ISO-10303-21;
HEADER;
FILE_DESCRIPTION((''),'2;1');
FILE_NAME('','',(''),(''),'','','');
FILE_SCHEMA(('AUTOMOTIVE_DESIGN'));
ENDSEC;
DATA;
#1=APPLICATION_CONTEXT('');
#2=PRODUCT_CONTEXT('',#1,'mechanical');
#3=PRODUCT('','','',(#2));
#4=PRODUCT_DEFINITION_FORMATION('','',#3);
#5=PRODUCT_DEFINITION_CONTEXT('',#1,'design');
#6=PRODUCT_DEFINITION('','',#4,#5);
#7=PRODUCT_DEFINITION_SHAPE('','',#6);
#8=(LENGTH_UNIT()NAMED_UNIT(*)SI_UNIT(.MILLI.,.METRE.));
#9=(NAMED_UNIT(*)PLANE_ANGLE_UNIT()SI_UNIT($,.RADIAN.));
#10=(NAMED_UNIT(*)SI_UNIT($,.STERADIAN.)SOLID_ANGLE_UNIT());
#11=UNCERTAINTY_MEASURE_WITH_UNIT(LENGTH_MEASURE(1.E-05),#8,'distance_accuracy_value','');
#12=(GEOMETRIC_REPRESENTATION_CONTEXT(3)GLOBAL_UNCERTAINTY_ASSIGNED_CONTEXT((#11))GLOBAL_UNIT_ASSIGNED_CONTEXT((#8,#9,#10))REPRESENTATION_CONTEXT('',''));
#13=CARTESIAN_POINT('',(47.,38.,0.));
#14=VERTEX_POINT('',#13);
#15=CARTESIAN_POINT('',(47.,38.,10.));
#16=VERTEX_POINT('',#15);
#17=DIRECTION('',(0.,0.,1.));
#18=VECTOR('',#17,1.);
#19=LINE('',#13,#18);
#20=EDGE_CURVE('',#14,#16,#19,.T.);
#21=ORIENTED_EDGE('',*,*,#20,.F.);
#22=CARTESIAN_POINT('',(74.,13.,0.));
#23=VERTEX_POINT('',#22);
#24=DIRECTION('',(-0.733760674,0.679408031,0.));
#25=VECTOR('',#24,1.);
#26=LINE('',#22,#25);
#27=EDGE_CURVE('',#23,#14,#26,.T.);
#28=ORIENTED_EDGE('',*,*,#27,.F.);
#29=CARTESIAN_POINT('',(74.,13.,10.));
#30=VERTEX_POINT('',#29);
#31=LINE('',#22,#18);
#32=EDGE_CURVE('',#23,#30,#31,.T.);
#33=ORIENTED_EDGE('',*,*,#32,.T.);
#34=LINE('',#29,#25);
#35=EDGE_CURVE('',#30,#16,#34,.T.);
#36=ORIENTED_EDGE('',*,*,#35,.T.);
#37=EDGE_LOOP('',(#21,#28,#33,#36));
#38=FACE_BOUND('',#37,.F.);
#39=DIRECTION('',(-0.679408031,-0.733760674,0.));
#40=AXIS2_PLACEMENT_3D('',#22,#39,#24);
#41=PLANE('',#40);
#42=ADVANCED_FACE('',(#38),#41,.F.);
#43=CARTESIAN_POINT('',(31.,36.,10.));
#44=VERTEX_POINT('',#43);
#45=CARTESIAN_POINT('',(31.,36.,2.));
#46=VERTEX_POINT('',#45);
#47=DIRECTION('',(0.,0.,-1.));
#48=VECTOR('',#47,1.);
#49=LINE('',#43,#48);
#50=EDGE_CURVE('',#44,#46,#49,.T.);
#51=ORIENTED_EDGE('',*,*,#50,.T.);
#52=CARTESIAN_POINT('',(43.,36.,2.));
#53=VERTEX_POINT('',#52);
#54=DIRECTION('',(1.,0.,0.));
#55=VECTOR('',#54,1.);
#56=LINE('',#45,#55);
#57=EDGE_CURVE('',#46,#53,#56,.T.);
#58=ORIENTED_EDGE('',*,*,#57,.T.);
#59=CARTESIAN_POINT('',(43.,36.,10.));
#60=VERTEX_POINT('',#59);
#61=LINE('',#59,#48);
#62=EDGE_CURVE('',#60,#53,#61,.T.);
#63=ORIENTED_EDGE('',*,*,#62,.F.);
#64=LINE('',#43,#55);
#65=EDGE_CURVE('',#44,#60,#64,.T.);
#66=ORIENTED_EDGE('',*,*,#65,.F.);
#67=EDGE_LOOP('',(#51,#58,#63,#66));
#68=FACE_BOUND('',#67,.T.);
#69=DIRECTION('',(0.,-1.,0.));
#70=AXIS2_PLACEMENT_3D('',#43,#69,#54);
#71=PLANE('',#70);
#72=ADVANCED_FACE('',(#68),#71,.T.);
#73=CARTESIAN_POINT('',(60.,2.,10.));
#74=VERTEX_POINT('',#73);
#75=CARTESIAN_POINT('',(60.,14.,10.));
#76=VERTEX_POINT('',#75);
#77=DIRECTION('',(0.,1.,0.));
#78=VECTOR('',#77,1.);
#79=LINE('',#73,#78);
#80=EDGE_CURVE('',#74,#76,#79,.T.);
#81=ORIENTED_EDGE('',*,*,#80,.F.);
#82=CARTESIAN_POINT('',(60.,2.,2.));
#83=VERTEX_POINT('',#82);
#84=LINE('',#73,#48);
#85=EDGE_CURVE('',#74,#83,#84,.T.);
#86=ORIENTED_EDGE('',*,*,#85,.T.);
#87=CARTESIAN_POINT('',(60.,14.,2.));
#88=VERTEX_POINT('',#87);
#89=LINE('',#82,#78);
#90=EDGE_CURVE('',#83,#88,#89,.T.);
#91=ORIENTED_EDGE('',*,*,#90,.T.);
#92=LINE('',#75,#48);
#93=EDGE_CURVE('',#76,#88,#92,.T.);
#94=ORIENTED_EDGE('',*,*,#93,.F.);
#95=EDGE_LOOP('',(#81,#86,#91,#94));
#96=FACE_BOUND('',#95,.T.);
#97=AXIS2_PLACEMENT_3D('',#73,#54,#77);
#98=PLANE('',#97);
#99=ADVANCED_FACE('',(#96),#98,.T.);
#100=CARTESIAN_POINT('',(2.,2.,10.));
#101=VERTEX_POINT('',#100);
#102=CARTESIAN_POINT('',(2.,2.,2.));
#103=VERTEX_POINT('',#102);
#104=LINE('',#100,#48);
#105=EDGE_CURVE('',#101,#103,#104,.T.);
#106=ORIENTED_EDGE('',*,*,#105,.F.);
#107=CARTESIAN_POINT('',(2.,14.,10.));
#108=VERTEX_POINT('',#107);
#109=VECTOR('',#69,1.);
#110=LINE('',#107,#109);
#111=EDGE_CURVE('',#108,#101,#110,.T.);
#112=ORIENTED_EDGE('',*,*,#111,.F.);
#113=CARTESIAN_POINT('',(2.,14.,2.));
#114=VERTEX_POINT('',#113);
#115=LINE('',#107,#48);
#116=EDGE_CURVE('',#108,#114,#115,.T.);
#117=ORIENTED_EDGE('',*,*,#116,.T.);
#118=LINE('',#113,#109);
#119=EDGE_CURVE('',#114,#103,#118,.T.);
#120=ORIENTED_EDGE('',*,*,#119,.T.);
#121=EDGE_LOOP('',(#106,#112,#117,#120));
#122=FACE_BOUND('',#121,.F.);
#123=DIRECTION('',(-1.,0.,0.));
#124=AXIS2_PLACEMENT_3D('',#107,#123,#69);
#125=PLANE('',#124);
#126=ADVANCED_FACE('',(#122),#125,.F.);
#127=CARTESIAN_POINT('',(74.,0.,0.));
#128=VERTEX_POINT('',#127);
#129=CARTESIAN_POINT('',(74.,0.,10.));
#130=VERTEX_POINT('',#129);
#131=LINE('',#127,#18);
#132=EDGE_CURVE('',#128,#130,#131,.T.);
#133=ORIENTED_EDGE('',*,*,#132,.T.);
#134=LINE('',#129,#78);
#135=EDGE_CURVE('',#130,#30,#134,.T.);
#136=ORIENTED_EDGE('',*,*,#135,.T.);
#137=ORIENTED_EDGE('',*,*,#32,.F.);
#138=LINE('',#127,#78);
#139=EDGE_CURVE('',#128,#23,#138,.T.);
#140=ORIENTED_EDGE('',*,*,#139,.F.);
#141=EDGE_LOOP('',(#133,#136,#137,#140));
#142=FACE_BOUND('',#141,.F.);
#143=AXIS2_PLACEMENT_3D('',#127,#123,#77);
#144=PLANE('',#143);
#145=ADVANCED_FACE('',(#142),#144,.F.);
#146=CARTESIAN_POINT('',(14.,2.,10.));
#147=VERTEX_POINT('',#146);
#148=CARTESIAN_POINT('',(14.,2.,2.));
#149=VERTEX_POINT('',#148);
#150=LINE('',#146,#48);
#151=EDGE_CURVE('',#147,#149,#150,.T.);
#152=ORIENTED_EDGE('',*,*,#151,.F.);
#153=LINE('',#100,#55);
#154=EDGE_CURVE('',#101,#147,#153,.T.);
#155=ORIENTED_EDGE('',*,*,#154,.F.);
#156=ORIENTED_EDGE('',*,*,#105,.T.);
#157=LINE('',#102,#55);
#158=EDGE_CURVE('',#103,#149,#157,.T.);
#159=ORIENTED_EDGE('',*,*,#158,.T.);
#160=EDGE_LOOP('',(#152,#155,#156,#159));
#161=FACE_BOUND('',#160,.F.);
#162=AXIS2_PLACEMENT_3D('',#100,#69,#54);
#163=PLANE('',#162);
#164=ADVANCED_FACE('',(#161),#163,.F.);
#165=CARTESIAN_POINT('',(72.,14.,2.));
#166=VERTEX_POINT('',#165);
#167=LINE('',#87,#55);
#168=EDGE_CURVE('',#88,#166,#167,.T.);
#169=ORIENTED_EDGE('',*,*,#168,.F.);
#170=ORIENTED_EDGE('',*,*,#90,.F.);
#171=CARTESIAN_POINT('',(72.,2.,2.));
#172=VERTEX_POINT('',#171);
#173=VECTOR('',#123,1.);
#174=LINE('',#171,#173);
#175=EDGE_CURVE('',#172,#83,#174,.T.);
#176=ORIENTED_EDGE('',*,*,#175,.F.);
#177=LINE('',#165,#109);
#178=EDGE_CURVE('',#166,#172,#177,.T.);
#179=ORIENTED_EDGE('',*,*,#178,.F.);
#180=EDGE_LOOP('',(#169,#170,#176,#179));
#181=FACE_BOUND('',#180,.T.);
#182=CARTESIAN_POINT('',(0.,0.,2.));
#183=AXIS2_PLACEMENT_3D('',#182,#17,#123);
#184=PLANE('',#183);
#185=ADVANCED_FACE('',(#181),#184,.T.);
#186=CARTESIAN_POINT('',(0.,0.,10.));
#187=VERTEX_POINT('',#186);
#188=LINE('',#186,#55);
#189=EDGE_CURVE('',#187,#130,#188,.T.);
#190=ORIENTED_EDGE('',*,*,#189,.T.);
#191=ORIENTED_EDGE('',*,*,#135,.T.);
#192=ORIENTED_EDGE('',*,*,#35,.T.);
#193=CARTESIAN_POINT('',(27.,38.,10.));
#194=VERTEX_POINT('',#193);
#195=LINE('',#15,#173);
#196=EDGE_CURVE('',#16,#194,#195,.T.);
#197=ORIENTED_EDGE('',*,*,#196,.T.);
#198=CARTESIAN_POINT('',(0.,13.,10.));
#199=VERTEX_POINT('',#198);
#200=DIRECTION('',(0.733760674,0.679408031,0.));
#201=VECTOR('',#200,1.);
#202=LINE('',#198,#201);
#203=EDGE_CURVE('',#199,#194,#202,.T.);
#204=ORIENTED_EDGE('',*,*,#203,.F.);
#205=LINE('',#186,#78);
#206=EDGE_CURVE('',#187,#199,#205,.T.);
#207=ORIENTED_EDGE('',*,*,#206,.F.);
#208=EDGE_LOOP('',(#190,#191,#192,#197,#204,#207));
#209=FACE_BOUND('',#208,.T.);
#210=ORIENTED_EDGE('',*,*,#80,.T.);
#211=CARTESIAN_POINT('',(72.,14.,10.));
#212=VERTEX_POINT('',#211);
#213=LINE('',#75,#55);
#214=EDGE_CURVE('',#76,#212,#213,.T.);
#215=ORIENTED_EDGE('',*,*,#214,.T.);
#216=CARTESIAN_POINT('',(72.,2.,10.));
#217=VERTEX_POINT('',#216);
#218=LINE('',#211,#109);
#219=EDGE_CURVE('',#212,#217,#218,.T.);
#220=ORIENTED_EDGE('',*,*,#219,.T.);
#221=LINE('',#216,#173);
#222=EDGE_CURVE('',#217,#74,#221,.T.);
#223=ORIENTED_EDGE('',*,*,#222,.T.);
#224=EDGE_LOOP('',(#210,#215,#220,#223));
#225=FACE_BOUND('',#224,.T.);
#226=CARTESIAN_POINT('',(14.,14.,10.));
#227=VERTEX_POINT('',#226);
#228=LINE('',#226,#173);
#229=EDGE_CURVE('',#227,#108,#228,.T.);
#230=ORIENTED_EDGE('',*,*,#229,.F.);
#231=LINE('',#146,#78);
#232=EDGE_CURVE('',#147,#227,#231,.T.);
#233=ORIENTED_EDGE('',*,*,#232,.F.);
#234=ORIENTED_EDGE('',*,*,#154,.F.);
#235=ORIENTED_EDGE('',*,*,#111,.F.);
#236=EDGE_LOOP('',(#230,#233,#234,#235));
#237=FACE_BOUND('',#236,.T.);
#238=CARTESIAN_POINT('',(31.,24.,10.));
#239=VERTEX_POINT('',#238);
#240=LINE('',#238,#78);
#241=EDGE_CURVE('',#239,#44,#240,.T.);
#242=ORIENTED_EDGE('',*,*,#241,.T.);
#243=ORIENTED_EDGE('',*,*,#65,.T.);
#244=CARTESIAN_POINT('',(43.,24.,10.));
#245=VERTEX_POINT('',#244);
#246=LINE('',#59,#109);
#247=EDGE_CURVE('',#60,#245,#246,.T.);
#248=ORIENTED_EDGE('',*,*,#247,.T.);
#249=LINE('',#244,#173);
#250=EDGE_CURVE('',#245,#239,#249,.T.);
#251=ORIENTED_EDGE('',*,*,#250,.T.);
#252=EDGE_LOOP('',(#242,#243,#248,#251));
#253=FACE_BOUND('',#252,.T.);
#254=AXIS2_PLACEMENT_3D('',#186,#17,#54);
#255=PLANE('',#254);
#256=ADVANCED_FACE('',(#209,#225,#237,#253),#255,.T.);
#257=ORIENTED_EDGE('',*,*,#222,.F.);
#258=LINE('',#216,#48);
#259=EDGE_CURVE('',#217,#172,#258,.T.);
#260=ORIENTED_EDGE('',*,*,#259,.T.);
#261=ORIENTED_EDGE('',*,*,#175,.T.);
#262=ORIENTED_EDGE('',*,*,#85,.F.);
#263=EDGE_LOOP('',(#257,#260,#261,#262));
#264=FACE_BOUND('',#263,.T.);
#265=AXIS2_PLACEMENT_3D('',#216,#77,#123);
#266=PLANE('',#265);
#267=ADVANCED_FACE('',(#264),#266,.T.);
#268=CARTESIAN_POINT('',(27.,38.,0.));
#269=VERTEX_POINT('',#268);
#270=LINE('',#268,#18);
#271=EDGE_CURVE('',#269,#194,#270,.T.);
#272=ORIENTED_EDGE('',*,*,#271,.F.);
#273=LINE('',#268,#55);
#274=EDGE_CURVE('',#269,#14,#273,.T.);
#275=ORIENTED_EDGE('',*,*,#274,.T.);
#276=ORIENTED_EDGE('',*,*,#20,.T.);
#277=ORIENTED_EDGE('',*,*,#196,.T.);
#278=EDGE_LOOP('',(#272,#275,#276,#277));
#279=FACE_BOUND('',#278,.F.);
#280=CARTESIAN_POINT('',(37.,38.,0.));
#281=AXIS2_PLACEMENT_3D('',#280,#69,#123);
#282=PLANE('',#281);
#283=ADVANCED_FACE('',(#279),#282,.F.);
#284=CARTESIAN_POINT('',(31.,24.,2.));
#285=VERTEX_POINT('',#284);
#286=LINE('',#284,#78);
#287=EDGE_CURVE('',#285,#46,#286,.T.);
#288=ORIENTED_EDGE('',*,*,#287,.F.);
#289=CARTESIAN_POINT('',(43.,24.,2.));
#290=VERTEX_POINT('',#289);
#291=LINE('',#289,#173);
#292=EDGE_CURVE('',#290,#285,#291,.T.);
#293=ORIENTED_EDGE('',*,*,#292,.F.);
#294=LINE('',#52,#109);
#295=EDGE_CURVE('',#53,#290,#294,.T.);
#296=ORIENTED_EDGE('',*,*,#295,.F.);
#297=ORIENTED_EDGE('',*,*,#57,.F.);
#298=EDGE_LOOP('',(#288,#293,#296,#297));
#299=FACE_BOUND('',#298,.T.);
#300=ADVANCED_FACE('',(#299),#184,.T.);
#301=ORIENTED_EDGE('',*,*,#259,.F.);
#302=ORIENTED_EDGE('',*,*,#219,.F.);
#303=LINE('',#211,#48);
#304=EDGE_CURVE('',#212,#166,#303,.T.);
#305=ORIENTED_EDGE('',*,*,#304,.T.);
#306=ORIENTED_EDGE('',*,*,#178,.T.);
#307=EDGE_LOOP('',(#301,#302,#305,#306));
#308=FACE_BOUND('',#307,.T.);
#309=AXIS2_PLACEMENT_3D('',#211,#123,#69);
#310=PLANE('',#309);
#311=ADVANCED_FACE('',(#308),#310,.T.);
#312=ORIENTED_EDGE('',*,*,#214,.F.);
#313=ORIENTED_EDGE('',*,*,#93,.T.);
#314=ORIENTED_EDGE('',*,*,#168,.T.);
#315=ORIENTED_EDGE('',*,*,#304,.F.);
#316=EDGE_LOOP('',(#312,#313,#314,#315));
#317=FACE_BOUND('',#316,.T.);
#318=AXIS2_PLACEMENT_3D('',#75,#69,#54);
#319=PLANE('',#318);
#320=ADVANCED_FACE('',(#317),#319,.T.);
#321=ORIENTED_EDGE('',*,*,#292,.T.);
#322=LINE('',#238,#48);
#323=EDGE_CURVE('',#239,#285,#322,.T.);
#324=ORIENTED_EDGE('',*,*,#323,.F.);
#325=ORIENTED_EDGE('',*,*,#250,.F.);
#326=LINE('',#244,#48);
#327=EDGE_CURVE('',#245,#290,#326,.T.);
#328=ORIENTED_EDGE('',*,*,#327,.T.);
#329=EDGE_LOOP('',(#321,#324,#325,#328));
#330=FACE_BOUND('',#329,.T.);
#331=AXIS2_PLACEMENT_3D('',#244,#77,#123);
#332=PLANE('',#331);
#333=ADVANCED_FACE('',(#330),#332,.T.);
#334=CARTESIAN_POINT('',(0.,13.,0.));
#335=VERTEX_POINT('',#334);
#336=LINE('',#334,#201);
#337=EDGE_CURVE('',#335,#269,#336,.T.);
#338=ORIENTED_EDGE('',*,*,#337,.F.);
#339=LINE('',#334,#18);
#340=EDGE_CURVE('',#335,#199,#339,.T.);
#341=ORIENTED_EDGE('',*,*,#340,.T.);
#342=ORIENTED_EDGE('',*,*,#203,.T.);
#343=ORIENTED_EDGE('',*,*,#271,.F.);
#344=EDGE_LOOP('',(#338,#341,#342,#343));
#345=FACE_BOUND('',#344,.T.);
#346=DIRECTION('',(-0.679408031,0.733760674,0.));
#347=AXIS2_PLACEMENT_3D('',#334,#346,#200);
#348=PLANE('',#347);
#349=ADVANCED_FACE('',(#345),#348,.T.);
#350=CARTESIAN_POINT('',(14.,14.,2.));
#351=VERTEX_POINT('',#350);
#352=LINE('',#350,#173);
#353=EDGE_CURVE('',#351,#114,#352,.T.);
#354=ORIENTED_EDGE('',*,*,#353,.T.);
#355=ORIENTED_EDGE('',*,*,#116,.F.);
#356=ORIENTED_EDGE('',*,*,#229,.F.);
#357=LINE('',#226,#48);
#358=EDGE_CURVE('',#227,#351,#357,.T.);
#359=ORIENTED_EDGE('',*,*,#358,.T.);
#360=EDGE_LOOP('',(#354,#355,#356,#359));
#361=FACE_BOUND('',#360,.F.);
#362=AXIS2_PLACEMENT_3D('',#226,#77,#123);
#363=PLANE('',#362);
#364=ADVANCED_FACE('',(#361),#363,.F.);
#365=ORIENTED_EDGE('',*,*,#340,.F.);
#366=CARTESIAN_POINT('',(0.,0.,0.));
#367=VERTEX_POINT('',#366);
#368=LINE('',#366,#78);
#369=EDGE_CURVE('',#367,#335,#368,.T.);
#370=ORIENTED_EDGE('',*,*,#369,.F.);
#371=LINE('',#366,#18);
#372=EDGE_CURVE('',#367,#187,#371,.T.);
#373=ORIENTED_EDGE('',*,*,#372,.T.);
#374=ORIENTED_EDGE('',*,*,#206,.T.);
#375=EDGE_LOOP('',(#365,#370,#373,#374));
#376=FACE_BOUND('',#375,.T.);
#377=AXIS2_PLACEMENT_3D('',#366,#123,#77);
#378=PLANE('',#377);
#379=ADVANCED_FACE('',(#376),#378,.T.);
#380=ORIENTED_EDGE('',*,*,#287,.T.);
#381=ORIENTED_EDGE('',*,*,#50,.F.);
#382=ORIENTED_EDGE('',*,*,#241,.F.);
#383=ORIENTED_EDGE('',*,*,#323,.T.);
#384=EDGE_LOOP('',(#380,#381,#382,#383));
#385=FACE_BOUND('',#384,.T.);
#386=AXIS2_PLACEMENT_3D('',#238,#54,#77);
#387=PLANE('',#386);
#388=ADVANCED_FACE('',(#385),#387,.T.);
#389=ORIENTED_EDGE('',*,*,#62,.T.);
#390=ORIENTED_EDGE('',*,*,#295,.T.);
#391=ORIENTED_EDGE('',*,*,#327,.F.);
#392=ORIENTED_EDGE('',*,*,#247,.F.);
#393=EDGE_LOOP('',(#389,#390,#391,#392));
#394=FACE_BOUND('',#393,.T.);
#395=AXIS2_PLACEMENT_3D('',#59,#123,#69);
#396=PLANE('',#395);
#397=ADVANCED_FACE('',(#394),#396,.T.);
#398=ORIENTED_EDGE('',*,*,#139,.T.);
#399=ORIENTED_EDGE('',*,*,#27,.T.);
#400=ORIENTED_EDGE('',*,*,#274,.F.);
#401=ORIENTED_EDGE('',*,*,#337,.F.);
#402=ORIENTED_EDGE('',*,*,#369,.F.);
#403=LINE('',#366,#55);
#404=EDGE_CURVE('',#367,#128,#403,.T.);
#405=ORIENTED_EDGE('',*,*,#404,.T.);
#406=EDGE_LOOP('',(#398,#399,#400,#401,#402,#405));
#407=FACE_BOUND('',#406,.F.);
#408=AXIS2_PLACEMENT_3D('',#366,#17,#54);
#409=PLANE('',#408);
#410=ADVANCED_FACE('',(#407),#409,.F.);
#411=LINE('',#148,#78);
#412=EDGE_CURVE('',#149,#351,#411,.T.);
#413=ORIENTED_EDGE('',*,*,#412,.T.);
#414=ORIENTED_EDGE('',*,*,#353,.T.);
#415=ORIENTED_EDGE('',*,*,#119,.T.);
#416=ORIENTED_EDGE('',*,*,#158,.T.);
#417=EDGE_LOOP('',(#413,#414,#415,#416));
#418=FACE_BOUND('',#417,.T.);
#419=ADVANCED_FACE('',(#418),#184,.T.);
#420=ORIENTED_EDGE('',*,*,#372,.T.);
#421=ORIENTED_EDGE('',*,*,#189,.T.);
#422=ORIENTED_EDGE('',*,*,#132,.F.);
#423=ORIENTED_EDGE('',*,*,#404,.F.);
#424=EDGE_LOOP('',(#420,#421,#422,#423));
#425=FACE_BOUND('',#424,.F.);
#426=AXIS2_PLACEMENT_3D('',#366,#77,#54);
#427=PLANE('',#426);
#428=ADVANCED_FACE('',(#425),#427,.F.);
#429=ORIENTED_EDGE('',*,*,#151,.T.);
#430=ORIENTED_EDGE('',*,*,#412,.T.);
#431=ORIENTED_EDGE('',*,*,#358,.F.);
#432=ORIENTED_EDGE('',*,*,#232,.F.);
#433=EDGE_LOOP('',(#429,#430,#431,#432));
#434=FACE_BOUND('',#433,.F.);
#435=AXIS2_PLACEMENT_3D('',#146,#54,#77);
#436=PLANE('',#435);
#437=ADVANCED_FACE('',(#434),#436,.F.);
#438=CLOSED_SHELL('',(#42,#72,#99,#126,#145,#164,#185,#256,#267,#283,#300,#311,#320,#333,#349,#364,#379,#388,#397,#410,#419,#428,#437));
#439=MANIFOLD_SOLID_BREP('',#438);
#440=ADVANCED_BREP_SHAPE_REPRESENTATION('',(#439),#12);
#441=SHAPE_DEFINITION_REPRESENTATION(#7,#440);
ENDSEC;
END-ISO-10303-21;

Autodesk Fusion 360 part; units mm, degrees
sketch "Sketch1" plane through (0, 0, 0) normal (0, 0, 1) x (1, 0, 0)
  line L0 (0, 0) -> (74, 0)
  line L1 (0, 0) -> (0, 13)
  line L2 (37, 0) -> (37, 38) construction
  line L3 (37, 38) -> (27, 38)
  line L4 (0, 13) -> (27, 38)
  line L5 (37, 38) -> (47, 38)
  line L6 (74, 0) -> (74, 13)
  line L7 (74, 13) -> (47, 38)
  dimension "d1" = 74
  dimension "d2" = 13
  dimension "d3" = 38
  dimension "d4" = 10
  dimension "d5" = 10
  dimension "d6" = 13
extrude "Extrude1" add sketch "Sketch1" along normal blind 10
sketch "Sketch2" plane through (0, 0, 10) normal (0, 0, 1) x (-1, 0, 0)
  line L0 (0, 0) -> (-74, 0)
  line L1 (-74, 0) -> (-74, -13)
  line L2 (-74, -13) -> (-47, -38)
  line L3 (-47, -38) -> (-27, -38)
  line L4 (-27, -38) -> (0, -13)
  line L5 (0, -13) -> (0, 0)
  line L6 (-37, -36) -> (-31, -36) construction
  line L7 (0, 0) -> (-2, 0) construction
  line L8 (-2, 0) -> (-2, -2) construction
  line L9 (-74, 0) -> (-72, 0) construction
  line L10 (-72, 0) -> (-72, -2) construction
  line L11 (-31, -36) -> (-43, -36)
  line L12 (-43, -36) -> (-43, -24)
  line L13 (-43, -24) -> (-31, -24)
  line L14 (-31, -24) -> (-31, -36)
  line L15 (-2, -2) -> (-14, -2)
  line L16 (-14, -2) -> (-14, -14)
  line L17 (-14, -14) -> (-2, -14)
  line L18 (-2, -14) -> (-2, -2)
  line L19 (-72, -2) -> (-60, -2)
  line L20 (-60, -2) -> (-60, -14)
  line L21 (-60, -14) -> (-72, -14)
  line L22 (-72, -14) -> (-72, -2)
  dimension "d10" = 6
  dimension "d11" = 2
  dimension "d12" = 2
  dimension "d13" = 2
  dimension "d14" = 2
  dimension "d15" = 12
  dimension "d16" = 12
  dimension "d17" = 12
  dimension "d18" = 12
  dimension "d19" = 12
  dimension "d20" = 12
extrude "Extrude2" cut sketch "Sketch2" against normal blind 8 contours L11 L12 L13 L14 | L15 L16 L17 L18 | L19 L20 L21 L22
